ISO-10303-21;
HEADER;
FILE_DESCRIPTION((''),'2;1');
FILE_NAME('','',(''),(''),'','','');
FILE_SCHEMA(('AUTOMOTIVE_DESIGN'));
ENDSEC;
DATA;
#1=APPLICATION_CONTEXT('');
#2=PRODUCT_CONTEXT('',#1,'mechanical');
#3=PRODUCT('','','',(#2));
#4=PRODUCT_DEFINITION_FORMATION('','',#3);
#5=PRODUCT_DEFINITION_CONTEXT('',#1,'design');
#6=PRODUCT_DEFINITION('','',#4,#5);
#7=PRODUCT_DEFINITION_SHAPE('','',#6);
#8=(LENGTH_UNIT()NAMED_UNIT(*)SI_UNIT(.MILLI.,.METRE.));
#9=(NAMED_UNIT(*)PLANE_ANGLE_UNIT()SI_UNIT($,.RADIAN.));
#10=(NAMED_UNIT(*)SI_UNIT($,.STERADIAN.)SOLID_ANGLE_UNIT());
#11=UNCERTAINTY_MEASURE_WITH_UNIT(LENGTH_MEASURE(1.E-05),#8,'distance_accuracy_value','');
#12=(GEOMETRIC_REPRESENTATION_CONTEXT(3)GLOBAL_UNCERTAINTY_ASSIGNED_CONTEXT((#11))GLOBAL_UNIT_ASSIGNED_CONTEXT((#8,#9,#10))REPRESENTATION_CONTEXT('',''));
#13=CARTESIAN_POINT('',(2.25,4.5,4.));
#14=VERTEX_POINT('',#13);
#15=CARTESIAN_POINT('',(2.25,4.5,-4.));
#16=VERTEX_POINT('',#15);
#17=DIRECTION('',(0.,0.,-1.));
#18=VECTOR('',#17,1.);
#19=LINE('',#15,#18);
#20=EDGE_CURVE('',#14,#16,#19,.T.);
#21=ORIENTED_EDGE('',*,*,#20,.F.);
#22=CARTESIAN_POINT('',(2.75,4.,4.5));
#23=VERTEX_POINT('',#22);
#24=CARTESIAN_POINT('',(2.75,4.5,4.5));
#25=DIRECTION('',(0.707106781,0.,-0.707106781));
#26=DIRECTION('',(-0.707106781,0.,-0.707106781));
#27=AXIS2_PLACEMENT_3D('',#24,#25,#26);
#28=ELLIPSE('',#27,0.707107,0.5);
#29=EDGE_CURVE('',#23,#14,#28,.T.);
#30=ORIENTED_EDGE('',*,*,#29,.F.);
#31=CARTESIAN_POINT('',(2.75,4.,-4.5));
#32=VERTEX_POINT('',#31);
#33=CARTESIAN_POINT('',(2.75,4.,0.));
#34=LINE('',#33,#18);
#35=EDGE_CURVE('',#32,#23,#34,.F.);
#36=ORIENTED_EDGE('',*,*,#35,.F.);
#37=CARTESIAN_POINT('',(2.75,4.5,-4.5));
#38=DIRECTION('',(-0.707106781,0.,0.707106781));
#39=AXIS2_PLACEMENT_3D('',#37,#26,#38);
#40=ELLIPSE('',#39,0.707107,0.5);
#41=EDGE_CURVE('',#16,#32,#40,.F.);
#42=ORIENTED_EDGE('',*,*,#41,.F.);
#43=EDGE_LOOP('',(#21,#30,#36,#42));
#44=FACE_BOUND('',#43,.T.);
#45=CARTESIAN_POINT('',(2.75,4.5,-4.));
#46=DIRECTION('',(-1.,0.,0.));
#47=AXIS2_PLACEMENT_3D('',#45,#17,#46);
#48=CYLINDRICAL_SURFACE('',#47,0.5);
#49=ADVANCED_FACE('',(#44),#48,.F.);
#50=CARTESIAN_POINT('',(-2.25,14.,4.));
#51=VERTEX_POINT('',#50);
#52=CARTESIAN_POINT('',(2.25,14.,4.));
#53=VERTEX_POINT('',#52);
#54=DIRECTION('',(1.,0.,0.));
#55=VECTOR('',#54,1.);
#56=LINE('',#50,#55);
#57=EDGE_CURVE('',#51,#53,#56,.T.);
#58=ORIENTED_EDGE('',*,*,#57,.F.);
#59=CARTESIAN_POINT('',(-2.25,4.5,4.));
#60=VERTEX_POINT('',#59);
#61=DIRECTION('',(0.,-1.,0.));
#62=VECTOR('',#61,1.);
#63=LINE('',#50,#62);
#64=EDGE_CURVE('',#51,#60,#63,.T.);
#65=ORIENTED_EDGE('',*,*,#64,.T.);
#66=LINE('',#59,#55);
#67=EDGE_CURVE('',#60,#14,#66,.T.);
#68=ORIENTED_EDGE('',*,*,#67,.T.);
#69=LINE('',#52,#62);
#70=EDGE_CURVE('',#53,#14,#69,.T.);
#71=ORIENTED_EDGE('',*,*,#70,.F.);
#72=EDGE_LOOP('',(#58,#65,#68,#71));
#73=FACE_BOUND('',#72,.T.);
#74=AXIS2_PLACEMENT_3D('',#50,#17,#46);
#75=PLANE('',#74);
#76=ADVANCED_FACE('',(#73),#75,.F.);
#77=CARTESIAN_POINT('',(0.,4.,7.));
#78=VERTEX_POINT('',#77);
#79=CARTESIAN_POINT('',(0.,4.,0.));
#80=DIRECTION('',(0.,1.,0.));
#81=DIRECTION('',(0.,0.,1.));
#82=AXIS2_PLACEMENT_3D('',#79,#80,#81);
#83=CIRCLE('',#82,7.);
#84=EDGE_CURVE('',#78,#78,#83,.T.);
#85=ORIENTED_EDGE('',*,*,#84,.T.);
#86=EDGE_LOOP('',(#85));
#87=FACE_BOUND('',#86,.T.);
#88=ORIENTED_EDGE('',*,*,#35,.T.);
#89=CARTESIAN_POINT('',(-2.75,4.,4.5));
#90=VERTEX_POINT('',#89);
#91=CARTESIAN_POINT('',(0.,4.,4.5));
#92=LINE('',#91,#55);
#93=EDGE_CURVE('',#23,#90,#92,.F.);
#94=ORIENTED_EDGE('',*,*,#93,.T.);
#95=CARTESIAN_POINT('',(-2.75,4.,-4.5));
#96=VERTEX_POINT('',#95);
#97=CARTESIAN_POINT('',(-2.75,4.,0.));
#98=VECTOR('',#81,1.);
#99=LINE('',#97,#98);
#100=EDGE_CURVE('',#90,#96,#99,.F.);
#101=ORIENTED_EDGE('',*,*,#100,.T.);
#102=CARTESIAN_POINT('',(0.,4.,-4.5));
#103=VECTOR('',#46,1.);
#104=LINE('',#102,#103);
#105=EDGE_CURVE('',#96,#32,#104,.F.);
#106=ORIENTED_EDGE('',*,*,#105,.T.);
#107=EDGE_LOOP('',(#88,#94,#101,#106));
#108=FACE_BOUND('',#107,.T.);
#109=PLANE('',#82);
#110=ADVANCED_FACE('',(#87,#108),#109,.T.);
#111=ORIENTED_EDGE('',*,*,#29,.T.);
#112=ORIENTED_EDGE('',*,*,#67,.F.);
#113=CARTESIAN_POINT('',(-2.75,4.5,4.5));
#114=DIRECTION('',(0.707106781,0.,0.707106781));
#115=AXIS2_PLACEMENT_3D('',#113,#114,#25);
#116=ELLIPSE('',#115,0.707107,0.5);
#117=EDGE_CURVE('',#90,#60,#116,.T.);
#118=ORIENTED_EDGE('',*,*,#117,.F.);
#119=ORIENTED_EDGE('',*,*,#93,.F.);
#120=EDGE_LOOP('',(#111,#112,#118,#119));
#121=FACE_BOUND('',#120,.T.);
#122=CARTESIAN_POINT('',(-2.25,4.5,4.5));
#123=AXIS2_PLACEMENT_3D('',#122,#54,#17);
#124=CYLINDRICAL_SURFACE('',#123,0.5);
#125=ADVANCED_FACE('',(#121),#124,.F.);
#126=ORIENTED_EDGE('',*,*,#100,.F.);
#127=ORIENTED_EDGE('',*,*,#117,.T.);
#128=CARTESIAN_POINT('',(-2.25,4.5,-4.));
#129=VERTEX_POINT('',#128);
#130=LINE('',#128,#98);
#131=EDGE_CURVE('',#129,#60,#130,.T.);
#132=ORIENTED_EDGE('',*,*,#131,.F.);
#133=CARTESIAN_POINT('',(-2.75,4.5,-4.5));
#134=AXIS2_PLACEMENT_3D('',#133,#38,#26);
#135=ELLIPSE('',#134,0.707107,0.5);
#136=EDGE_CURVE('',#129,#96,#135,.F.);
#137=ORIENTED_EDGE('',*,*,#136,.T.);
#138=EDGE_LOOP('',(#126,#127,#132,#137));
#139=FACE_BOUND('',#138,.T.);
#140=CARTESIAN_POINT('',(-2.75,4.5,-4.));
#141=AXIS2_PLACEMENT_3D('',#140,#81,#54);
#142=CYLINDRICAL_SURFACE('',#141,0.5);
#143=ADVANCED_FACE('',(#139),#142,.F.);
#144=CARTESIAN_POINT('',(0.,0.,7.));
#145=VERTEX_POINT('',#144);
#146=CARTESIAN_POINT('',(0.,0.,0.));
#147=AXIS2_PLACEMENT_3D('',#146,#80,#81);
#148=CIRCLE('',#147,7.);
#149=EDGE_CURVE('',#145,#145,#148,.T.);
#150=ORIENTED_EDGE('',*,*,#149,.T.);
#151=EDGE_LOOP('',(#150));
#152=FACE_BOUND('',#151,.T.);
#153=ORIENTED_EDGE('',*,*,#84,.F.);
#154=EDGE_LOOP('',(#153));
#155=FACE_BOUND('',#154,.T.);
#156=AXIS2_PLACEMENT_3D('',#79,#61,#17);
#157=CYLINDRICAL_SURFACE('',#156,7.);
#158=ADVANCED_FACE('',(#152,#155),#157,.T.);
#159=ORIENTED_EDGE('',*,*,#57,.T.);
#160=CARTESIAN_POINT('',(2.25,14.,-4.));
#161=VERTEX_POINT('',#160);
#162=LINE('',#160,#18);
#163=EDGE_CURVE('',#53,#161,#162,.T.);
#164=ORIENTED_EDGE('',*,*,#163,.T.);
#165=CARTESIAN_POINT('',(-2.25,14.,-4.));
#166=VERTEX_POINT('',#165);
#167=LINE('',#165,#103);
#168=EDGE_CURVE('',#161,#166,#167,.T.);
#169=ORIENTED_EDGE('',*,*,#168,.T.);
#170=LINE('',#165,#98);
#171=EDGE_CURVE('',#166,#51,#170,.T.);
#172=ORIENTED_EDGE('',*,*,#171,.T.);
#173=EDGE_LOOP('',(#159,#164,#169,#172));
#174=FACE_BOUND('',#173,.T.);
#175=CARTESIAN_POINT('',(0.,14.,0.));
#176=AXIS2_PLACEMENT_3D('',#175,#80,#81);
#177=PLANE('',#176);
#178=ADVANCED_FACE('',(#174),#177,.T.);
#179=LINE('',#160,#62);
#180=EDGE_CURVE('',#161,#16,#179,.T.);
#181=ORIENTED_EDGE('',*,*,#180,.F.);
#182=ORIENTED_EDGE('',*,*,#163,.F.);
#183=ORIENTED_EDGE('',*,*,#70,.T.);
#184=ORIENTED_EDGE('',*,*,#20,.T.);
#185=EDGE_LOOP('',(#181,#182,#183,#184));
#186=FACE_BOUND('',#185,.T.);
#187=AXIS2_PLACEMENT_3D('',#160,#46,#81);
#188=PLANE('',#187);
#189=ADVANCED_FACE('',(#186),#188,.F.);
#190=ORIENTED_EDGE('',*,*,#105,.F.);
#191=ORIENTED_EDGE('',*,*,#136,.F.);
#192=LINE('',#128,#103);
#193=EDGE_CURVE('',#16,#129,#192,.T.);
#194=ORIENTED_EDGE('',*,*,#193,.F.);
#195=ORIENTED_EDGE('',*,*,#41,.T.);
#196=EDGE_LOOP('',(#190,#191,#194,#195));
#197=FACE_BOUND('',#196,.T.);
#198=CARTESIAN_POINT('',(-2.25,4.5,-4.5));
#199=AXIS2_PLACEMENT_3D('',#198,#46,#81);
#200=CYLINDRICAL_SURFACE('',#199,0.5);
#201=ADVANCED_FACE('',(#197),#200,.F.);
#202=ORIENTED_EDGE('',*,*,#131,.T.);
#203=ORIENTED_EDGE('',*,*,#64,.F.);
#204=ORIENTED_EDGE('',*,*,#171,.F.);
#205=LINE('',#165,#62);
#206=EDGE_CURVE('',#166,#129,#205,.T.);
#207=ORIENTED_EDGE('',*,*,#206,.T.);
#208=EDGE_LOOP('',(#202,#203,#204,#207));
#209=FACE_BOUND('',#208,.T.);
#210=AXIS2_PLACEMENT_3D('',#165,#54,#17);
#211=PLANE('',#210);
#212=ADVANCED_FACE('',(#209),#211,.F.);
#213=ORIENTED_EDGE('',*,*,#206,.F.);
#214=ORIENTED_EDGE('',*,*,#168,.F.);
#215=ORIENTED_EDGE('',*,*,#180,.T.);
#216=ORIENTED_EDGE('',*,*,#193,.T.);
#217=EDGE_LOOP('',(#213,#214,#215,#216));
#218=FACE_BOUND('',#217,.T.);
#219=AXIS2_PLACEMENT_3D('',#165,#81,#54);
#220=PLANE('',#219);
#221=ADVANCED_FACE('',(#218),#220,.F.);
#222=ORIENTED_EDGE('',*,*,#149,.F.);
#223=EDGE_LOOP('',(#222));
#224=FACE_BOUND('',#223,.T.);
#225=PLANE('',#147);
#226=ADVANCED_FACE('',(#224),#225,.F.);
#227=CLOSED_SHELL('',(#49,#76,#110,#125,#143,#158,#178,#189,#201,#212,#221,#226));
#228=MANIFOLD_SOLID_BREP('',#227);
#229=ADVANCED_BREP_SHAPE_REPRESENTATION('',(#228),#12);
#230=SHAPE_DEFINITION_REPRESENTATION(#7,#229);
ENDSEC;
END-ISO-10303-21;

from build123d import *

# Parameters (mm, degrees)
SKETCH1_R           = 7
BOSS_EXTRUDE1_DEPTH = 4
SKETCH2_W           = 4.5
SKETCH2_H           = 8
BOSS_EXTRUDE2_DEPTH = 10
FILLET2_R           = 0.5


with BuildPart() as part:
    # Sketch1 → Boss-Extrude1 (new body)
    with BuildSketch(Plane(origin=(0, 0, 0), x_dir=(1, 0, 0), z_dir=(0, 1, 0))):
        with Locations(Location((0, 0, 0), (0, 0, 270))):
            Circle(SKETCH1_R)
    extrude(amount=BOSS_EXTRUDE1_DEPTH)

    # Sketch2 → Boss-Extrude2 (add)
    with BuildSketch(Plane(origin=(0, 4, 0), x_dir=(1, 0, 0), z_dir=(0, 1, 0))):
        Rectangle(SKETCH2_W, SKETCH2_H)
    extrude(amount=BOSS_EXTRUDE2_DEPTH)

    # Fillet2
    fillet2_edges = [part.edges().sort_by_distance(p)[0] for p in [
        (-2.25, 4, 0),
        (0, 4, 4),
        (2.25, 4, 0),
        (0, 4, -4),
    ]]
    fillet(fillet2_edges, radius=FILLET2_R)


solid = part.part
